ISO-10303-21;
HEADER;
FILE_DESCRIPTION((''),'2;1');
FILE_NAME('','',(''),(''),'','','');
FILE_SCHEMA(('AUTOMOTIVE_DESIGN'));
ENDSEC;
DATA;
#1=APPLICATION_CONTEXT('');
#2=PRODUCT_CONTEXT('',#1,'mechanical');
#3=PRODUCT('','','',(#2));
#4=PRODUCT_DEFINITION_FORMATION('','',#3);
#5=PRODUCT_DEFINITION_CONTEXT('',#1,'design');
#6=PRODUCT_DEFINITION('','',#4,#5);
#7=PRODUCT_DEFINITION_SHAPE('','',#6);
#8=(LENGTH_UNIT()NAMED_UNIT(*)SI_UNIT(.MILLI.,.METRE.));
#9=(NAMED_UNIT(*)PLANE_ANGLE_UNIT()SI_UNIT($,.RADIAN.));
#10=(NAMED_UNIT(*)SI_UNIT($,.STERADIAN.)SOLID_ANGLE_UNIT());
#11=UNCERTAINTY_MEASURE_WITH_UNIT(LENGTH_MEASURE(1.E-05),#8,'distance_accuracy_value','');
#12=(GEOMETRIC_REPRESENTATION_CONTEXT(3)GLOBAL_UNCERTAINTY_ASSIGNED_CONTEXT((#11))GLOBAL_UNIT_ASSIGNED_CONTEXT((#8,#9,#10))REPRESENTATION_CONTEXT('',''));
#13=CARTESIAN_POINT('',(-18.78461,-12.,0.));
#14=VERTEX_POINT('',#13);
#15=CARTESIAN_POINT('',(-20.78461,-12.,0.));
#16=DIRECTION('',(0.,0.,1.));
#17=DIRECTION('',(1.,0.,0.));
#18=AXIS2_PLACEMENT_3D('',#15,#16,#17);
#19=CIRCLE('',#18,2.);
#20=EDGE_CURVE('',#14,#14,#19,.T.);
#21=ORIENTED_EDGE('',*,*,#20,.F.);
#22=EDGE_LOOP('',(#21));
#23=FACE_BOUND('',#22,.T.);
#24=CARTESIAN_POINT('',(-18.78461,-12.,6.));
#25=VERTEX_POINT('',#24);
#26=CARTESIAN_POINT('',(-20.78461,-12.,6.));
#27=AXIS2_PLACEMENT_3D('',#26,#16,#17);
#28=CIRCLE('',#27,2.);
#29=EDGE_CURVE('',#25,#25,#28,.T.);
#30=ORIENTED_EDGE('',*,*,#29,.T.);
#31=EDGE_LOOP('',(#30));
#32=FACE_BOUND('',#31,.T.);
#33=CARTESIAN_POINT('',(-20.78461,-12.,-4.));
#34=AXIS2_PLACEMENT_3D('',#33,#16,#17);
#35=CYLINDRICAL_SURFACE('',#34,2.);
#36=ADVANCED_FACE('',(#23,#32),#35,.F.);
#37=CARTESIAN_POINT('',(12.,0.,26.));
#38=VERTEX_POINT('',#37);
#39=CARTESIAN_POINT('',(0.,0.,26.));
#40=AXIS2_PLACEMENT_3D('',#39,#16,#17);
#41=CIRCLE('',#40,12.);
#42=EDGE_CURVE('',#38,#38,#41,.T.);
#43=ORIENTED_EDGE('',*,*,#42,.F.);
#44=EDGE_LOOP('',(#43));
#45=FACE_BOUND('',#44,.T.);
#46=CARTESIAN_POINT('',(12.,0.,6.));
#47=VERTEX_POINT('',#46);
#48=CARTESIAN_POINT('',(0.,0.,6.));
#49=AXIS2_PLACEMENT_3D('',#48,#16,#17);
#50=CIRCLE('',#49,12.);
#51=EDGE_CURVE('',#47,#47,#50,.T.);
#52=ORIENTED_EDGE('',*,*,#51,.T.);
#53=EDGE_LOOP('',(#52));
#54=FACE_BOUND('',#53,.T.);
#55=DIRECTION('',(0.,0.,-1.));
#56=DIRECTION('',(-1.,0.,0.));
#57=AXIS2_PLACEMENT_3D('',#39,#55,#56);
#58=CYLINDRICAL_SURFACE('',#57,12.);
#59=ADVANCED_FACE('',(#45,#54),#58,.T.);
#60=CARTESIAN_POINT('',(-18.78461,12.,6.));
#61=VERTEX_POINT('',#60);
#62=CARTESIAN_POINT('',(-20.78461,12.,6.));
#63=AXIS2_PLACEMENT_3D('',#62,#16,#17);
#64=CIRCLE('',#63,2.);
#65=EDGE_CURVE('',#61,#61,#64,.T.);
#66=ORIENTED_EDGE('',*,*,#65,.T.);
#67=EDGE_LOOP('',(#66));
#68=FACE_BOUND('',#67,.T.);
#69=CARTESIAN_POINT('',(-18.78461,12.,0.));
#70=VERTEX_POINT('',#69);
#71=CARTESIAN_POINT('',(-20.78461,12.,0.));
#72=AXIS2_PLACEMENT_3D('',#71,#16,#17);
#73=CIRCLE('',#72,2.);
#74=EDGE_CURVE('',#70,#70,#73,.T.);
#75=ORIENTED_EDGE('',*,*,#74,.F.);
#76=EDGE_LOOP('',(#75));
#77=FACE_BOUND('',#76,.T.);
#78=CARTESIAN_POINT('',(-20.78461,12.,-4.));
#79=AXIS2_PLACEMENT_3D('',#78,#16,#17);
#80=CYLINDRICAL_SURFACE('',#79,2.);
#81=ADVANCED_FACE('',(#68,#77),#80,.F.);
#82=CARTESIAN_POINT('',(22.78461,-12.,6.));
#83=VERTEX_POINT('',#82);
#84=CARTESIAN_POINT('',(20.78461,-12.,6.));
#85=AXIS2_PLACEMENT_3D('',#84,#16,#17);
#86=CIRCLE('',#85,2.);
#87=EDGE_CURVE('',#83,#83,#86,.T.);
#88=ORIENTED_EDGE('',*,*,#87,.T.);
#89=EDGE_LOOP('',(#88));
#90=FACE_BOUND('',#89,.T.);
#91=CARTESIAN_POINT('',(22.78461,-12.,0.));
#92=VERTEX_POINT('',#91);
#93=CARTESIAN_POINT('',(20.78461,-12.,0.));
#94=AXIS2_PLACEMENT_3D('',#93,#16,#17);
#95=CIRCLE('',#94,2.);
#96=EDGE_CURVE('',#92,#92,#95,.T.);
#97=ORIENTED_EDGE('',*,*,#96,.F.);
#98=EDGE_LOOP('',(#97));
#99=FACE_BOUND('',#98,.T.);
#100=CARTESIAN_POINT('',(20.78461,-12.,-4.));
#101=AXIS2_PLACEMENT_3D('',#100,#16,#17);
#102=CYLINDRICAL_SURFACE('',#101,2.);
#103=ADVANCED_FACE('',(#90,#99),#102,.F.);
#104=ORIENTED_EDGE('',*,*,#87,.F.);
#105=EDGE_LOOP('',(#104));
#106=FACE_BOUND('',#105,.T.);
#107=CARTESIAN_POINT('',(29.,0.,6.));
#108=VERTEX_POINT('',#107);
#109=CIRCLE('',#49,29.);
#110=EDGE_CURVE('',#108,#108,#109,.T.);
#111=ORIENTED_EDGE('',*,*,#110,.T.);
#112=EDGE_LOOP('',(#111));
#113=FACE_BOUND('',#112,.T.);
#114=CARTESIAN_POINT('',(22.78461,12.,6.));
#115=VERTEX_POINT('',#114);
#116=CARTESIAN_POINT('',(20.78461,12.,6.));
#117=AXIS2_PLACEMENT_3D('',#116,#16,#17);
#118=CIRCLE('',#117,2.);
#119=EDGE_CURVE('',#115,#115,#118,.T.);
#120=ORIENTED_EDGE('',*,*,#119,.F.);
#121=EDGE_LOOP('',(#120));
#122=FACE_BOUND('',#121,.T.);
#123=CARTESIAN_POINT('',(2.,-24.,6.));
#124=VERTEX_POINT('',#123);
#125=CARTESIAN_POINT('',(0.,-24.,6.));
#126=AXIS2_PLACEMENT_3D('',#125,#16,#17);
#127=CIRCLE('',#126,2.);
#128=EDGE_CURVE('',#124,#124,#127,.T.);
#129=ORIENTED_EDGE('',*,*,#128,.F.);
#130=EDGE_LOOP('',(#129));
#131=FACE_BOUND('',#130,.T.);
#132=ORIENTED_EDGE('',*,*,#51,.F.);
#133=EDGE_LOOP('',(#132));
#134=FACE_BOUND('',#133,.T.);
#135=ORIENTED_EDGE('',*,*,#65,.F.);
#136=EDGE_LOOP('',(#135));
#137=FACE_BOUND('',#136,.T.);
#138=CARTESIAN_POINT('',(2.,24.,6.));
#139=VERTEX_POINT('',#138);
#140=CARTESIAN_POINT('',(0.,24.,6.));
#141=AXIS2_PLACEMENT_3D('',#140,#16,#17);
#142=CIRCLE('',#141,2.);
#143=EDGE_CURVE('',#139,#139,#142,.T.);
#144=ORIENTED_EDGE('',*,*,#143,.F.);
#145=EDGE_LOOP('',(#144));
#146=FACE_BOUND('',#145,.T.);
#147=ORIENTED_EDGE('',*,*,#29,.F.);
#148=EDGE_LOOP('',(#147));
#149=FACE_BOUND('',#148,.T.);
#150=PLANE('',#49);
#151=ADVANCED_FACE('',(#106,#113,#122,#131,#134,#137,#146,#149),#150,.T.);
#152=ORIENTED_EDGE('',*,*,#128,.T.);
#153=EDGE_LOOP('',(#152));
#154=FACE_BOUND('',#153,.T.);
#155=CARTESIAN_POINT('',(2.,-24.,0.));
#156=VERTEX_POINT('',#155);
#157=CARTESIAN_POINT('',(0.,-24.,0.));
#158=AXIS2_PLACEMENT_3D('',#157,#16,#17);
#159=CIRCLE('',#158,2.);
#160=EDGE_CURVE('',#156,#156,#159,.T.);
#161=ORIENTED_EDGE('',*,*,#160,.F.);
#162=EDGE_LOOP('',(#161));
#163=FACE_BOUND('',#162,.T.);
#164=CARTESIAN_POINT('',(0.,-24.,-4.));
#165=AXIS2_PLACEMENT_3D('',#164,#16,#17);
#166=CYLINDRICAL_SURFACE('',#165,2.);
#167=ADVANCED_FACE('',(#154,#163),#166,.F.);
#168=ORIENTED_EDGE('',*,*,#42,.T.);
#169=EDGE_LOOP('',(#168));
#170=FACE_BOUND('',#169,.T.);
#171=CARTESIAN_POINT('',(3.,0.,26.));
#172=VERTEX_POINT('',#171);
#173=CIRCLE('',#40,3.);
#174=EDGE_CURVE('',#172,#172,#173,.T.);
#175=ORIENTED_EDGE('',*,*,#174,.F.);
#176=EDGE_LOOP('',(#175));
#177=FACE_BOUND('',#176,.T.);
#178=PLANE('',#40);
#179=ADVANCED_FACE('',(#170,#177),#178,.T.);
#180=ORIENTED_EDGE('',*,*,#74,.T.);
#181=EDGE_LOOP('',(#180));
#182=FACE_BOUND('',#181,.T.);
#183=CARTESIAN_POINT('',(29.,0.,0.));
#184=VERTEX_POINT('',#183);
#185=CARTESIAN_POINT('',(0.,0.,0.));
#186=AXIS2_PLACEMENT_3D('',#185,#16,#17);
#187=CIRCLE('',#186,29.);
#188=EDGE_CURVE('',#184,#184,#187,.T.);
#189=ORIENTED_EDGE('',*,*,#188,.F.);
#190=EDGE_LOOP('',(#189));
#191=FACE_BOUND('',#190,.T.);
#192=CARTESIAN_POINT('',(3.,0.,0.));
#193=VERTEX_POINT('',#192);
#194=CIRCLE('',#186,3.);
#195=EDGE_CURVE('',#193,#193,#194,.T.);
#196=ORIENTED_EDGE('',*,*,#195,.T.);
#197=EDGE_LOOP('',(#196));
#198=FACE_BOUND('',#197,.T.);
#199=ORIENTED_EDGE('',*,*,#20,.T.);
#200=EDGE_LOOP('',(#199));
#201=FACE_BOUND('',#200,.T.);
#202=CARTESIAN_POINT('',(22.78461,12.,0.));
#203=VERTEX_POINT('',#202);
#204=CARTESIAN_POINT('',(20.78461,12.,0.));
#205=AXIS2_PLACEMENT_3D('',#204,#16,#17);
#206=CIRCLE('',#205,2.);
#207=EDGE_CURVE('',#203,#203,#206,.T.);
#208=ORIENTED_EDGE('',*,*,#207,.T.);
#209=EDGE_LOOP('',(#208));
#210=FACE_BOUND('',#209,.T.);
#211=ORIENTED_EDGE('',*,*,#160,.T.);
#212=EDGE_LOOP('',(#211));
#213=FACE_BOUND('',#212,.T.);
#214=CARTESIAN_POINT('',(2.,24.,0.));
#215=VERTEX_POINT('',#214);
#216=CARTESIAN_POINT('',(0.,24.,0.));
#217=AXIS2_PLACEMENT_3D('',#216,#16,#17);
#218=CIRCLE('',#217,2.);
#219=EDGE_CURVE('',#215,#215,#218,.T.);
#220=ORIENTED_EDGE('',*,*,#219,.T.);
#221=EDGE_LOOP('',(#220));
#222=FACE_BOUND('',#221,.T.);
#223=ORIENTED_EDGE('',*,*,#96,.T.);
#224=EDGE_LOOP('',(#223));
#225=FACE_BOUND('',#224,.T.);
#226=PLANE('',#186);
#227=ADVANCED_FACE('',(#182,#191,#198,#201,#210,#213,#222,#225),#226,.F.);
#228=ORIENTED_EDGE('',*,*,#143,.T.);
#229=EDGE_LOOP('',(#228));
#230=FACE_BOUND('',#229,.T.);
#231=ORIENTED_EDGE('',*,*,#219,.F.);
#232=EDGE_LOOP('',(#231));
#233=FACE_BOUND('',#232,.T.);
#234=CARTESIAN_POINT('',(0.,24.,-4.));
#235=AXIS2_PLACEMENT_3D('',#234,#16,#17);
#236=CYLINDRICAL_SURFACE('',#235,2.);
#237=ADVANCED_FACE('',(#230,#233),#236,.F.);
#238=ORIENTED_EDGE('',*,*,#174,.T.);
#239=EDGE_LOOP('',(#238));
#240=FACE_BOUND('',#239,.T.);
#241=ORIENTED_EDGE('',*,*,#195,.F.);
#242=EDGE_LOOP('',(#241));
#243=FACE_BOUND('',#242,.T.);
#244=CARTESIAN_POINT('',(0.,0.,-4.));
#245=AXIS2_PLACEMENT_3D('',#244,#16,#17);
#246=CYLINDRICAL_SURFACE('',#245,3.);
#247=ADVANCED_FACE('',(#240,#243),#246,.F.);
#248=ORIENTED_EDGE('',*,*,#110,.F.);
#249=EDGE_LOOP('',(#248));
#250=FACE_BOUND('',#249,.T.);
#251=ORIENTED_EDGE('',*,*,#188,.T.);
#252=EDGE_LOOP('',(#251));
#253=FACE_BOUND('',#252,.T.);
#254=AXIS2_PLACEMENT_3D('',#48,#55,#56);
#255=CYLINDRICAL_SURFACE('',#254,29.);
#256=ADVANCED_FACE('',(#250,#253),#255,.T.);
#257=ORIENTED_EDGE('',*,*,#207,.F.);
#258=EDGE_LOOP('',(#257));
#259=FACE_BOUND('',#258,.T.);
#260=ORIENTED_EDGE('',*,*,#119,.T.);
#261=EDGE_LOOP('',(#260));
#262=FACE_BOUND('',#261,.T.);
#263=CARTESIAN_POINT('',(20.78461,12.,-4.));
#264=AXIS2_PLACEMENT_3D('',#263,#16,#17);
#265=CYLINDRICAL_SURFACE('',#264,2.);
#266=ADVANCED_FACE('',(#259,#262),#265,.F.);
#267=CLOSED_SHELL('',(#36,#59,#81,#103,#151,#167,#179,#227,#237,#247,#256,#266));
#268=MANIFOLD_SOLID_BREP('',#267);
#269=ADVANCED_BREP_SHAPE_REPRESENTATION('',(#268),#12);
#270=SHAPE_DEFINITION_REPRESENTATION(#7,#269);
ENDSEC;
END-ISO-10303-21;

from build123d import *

# Parameters (mm, degrees)
SKETCH_1_R          = 29
EXTRUDE_1_DEPTH     = 6
SKETCH_2_R          = 12
EXTRUDE_2_DEPTH     = 20
SKETCH_3_R          = 2
CUT_EXTRUDE_1_DEPTH = 10
SKETCH_4_R          = 3
CUT_EXTRUDE_2_DEPTH = 30


with BuildPart() as part:
    # 草图1 → 凸台-拉伸1 (new body)
    with BuildSketch(Plane.XY):
        Circle(SKETCH_1_R)
    extrude(amount=EXTRUDE_1_DEPTH)

    # 草图2 → 凸台-拉伸2 (add)
    with BuildSketch(Plane.XY.offset(6)):
        Circle(SKETCH_2_R)
    extrude(amount=EXTRUDE_2_DEPTH)

    # 草图3 → 切除-拉伸1 (cut)
    with BuildSketch(Plane.XY.offset(6)):
        with Locations((0, 24)):
            Circle(SKETCH_3_R)
        with Locations((20.784609691, 12)):
            Circle(SKETCH_3_R)
        with Locations((20.784609691, -12)):
            Circle(SKETCH_3_R)
        with Locations((0, -24)):
            Circle(SKETCH_3_R)
        with Locations((-20.784609691, -12)):
            Circle(SKETCH_3_R)
        with Locations((-20.784609691, 12)):
            Circle(SKETCH_3_R)
    extrude(amount=-CUT_EXTRUDE_1_DEPTH, mode=Mode.SUBTRACT)

    # 草图4 → 切除-拉伸2 (cut)
    with BuildSketch(Plane.XY.offset(26)):
        Circle(SKETCH_4_R)
    extrude(amount=-CUT_EXTRUDE_2_DEPTH, mode=Mode.SUBTRACT)


solid = part.part
